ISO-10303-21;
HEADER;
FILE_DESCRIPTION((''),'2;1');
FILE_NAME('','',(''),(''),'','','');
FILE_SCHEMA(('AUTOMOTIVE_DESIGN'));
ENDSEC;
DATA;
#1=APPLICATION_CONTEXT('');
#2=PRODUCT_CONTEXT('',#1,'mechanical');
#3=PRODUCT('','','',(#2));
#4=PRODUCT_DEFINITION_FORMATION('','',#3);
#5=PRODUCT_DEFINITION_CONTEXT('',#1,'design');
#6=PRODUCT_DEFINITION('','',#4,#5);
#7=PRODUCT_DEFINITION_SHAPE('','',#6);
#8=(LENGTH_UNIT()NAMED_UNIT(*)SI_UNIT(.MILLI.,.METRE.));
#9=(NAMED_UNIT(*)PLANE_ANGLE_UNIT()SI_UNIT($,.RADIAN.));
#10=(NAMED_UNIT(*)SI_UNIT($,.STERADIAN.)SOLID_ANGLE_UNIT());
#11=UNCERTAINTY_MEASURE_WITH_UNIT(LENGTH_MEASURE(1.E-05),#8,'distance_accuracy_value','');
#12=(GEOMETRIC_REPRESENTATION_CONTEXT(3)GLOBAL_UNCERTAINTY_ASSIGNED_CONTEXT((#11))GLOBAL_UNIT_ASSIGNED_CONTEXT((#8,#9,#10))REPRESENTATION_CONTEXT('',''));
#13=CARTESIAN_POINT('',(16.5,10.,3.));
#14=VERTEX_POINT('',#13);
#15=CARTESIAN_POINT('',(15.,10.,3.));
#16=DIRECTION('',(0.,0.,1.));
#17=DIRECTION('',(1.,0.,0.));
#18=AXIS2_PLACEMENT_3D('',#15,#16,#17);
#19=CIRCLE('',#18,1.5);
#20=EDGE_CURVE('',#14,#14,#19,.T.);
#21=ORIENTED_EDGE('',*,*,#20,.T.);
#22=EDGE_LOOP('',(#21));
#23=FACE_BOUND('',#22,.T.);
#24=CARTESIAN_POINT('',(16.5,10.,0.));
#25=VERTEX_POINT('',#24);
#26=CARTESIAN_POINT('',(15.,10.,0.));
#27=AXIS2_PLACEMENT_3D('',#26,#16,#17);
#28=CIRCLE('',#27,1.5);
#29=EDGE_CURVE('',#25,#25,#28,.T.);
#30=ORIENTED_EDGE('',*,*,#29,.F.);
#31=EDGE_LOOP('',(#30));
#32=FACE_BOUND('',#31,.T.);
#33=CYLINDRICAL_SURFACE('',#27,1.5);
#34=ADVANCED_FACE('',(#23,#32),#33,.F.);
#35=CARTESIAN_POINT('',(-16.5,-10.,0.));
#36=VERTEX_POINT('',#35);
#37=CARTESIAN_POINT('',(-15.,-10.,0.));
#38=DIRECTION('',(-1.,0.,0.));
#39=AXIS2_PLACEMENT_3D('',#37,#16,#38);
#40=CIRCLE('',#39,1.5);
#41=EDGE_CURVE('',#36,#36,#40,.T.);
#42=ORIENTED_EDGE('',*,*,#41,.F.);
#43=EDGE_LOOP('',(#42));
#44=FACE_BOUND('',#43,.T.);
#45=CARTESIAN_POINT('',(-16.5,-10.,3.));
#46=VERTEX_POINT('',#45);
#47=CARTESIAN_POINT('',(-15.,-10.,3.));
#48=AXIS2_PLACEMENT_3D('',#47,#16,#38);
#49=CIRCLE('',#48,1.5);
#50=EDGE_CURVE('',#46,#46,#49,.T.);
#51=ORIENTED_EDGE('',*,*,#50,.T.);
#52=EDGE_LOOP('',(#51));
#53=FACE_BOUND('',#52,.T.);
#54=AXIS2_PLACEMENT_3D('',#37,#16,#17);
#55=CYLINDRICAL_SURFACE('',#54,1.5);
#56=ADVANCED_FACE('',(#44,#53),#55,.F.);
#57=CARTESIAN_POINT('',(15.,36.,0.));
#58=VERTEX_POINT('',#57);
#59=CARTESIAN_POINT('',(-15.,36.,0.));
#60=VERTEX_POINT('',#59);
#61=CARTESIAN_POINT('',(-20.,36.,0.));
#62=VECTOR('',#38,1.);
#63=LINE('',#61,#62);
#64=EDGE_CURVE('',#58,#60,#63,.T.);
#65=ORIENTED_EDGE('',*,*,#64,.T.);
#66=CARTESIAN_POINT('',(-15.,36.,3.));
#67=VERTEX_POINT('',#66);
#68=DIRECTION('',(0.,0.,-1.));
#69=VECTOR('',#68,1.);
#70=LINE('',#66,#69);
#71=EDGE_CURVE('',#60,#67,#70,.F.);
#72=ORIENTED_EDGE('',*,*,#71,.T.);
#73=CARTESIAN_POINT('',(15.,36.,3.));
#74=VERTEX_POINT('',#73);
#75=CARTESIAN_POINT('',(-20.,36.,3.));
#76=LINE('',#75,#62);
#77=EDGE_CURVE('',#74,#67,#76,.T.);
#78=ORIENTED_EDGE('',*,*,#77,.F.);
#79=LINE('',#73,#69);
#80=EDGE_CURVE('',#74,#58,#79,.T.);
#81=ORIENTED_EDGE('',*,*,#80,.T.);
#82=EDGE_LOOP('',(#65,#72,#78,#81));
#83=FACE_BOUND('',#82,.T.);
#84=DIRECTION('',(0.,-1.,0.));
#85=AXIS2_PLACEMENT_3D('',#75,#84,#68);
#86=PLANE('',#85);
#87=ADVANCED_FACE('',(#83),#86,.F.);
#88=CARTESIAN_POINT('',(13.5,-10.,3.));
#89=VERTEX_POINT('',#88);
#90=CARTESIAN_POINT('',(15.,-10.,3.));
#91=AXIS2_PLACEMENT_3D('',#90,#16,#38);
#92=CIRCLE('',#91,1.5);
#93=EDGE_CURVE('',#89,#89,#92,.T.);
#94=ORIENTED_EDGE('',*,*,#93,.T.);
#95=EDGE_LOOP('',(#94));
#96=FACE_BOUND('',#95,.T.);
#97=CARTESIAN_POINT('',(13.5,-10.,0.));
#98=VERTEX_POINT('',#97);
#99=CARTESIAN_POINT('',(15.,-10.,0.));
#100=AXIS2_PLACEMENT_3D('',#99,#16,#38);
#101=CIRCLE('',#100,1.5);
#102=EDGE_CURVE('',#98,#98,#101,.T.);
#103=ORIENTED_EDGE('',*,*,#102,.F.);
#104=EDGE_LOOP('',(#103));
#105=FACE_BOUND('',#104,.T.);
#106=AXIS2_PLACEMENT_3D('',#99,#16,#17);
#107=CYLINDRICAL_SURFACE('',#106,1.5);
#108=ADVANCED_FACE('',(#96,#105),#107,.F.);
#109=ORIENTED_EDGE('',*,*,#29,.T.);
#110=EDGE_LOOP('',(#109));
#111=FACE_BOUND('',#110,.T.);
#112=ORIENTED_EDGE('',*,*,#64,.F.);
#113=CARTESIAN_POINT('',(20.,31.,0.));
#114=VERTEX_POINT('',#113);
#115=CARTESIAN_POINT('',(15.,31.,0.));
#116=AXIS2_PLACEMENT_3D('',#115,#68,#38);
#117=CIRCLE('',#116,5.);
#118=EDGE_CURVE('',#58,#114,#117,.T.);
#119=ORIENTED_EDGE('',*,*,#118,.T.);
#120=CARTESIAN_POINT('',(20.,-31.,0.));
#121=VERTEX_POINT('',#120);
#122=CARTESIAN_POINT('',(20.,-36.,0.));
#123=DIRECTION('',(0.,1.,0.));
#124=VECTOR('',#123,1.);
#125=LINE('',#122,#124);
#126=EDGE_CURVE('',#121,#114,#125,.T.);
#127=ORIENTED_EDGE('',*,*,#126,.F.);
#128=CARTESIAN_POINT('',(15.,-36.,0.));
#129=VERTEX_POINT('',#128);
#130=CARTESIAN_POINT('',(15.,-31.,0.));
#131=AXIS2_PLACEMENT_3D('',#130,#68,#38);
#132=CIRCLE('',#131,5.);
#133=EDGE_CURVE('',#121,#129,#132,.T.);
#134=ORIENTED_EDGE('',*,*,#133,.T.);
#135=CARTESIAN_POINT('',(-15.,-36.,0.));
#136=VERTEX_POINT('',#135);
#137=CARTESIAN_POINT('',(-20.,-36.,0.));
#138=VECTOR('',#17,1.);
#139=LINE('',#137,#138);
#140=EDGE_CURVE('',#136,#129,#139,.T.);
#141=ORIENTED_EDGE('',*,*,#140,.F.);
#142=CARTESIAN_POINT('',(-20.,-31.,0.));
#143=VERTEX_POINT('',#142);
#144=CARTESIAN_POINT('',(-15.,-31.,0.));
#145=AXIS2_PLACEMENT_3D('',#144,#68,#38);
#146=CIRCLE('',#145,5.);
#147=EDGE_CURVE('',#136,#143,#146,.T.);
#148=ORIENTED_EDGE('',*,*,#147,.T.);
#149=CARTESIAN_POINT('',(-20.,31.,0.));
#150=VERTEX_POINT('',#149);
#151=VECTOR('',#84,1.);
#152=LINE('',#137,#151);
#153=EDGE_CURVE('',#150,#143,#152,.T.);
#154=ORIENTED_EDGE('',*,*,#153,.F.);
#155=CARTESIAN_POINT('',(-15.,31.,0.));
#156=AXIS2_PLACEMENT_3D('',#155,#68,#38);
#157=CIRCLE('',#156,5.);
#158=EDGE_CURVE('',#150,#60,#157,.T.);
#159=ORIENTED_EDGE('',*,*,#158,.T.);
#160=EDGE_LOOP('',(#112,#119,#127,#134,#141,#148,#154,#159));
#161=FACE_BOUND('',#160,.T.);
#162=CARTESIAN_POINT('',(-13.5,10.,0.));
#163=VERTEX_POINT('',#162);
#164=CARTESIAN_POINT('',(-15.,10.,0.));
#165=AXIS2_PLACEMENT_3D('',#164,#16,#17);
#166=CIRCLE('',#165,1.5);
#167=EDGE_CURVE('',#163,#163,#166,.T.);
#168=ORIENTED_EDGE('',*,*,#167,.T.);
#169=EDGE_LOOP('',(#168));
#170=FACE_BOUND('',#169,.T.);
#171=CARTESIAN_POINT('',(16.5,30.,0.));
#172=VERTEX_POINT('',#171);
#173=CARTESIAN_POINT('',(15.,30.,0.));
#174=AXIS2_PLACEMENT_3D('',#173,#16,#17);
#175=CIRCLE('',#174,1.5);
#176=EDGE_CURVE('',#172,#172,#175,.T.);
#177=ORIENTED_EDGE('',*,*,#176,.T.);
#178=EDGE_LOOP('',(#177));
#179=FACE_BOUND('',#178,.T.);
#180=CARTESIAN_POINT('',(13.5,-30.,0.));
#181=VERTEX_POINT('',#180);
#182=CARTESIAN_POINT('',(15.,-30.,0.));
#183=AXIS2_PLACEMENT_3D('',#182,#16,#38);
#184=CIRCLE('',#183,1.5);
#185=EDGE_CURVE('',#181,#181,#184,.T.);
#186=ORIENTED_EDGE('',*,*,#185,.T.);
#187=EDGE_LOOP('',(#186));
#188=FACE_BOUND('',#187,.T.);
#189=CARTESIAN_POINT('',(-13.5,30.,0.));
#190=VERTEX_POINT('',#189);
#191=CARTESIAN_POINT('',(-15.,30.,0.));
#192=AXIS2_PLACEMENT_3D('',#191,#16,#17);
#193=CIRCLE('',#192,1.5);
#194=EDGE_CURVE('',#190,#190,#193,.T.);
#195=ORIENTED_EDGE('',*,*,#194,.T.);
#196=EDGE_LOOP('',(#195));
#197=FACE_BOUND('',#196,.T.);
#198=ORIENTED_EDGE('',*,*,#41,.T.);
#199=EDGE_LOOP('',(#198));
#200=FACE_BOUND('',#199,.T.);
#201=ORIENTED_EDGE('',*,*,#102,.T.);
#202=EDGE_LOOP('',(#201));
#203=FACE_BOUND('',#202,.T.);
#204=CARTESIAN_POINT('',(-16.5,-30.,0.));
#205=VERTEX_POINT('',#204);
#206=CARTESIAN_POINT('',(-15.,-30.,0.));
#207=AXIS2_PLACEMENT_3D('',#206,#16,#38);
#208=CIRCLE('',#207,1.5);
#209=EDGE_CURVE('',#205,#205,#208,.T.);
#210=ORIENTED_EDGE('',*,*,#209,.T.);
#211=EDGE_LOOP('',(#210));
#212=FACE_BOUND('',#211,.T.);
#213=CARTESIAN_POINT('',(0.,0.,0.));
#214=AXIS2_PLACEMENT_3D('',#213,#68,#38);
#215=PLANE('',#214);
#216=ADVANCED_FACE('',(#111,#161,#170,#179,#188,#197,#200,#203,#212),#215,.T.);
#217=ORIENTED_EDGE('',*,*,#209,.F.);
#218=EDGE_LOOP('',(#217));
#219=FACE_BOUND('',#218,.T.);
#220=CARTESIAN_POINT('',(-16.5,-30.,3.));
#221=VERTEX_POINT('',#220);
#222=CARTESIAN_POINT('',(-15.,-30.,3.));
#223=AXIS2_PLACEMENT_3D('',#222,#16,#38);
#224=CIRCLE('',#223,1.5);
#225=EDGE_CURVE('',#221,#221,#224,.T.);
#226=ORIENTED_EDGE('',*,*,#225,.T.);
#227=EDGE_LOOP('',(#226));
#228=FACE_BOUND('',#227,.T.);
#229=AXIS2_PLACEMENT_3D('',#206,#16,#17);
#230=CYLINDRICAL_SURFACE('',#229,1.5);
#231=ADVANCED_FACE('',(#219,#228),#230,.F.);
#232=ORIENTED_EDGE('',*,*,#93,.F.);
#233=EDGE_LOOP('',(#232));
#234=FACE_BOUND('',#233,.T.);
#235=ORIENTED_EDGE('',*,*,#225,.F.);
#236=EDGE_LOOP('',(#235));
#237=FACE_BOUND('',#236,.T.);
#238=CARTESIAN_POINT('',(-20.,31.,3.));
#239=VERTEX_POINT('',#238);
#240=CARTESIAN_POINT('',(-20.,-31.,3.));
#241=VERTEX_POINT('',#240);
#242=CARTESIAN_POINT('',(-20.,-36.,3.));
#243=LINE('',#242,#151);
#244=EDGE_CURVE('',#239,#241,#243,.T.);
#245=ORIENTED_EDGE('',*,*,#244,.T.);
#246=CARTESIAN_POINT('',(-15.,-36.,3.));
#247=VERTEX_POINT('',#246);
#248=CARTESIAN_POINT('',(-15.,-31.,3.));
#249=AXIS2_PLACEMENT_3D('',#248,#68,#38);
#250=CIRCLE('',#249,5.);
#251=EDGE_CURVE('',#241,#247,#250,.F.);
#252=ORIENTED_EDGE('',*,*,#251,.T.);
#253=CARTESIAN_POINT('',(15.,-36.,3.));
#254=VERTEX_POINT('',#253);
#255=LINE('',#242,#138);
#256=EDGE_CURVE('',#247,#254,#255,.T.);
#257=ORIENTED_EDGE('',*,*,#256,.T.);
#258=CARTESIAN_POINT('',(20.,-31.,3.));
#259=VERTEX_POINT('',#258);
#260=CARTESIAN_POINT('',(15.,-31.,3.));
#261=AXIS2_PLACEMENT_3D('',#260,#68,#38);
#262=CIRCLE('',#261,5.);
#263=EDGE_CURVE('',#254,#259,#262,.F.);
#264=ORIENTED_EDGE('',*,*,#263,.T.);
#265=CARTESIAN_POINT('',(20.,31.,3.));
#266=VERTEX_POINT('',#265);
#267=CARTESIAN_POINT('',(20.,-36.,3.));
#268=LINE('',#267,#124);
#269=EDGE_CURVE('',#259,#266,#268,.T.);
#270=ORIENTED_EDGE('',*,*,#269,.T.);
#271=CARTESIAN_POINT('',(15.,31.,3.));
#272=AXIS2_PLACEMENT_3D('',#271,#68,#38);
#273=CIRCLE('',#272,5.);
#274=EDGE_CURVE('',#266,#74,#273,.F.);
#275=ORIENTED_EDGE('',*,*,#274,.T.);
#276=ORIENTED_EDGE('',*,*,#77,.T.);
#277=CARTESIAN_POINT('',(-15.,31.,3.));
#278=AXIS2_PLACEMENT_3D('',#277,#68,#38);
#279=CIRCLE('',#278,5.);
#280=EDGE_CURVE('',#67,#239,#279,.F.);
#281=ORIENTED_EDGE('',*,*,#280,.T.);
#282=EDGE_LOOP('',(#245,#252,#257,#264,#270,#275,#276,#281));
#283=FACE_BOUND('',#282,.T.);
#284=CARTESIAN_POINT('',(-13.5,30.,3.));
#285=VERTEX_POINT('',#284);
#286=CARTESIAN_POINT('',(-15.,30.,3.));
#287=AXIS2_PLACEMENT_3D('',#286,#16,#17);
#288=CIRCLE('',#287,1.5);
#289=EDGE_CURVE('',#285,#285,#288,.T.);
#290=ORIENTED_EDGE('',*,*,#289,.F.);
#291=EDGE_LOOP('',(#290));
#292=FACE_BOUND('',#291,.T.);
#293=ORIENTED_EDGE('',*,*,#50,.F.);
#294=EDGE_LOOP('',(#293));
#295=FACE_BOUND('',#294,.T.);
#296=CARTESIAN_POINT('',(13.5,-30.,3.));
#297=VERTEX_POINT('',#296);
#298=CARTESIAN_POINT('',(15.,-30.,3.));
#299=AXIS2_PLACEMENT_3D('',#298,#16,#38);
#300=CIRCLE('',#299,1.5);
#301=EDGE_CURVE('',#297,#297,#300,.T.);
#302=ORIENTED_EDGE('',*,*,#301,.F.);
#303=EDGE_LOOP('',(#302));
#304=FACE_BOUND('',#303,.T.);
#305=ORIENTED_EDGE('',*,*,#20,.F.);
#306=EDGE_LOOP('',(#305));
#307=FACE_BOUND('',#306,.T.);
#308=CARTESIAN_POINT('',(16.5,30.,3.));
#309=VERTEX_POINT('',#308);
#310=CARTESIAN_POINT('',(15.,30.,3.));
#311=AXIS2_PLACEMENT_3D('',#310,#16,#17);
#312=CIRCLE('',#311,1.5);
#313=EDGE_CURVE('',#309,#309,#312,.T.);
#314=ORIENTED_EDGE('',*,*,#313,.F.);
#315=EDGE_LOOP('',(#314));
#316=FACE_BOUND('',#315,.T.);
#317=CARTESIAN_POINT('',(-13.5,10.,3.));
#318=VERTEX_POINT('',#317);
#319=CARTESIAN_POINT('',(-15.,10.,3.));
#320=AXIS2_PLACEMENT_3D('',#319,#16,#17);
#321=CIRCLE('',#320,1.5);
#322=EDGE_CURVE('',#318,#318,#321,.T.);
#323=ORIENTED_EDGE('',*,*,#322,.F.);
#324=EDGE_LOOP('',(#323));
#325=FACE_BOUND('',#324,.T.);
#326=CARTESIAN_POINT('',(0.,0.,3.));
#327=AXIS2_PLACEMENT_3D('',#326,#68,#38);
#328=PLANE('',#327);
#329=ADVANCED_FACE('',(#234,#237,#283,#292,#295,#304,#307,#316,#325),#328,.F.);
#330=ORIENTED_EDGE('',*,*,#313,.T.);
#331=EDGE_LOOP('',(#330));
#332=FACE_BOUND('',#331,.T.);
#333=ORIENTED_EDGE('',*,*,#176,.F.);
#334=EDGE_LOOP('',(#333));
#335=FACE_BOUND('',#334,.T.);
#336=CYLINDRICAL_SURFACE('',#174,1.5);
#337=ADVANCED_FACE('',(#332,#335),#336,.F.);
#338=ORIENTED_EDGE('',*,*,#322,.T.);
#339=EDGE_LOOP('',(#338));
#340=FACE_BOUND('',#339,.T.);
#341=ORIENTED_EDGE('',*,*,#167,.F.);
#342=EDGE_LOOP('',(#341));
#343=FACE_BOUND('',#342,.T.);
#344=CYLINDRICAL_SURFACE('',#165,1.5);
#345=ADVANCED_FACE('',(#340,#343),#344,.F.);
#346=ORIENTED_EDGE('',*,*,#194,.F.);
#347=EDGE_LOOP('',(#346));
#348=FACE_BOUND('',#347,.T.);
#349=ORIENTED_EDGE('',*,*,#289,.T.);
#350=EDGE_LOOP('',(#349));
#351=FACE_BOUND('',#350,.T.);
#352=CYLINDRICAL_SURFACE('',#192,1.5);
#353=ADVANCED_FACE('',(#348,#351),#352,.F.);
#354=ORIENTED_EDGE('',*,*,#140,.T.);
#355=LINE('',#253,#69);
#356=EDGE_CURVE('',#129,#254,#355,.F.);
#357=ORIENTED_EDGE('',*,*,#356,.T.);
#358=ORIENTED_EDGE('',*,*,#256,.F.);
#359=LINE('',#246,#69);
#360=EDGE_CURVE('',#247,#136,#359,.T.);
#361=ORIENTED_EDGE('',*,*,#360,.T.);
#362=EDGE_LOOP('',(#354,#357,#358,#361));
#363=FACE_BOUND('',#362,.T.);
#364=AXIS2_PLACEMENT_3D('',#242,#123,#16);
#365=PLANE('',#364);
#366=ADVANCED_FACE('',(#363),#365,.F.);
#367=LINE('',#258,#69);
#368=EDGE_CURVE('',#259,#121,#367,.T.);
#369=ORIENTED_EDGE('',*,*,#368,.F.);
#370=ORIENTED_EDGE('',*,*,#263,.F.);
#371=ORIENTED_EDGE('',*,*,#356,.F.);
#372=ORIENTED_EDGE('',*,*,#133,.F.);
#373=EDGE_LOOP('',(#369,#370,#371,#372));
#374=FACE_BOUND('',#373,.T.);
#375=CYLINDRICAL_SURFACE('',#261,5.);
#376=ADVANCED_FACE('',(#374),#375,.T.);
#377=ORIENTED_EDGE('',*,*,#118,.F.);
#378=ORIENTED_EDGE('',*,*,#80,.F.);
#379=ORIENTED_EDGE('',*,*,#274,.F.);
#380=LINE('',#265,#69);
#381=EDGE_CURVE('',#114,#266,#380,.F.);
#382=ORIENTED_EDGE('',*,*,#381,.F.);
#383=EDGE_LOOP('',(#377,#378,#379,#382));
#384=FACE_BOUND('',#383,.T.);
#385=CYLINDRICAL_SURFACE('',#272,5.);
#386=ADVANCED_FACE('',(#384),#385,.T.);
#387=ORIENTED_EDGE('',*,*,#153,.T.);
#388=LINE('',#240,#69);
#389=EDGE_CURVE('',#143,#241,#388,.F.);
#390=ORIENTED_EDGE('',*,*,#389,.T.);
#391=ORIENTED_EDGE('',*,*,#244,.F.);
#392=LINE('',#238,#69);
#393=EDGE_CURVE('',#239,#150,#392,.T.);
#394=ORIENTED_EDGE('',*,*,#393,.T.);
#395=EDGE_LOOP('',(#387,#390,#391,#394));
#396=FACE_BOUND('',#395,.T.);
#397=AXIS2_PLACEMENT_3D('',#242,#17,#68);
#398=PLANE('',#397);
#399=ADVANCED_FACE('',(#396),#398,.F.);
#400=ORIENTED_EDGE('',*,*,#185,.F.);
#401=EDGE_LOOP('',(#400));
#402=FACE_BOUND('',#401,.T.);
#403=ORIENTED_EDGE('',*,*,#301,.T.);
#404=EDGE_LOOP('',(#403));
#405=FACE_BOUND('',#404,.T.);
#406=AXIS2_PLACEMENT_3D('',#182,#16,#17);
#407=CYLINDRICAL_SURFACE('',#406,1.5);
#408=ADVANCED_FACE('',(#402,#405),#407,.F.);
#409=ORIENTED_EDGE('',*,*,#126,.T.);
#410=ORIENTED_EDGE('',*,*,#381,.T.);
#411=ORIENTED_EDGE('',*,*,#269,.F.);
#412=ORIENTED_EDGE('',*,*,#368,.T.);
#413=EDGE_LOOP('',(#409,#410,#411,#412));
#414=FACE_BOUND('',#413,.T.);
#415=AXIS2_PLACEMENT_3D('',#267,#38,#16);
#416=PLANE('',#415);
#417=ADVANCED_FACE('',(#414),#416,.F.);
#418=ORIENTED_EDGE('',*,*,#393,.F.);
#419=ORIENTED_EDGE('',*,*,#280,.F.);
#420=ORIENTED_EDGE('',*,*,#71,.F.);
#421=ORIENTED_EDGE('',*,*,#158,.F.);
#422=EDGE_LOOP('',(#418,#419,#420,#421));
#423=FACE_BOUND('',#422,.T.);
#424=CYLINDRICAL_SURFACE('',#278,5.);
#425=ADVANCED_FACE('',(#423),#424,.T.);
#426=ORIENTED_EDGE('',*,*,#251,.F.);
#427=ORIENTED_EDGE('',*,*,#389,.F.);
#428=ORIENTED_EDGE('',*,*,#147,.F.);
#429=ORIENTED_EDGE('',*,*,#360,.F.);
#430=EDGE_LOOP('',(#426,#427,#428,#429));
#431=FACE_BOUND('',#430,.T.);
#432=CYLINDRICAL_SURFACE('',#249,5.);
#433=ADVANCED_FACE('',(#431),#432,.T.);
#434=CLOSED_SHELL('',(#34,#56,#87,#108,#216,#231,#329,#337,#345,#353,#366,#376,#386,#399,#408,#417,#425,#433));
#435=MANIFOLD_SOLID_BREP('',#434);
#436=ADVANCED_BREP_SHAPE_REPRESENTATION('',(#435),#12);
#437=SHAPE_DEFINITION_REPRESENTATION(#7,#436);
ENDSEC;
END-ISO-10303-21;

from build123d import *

# Parameters (mm, degrees)
SKETCH_1_W          = 40
SKETCH_1_H          = 72
EXTRUDE_1_DEPTH     = 3
SKETCH_2_R          = 1.5
CUT_EXTRUDE_1_DEPTH = 3
FILLET_1_R          = 5


with BuildPart() as part:
    # 草图1 → 凸台-拉伸1 (new body)
    with BuildSketch(Plane.XY):
        Rectangle(SKETCH_1_W, SKETCH_1_H)
    extrude(amount=EXTRUDE_1_DEPTH)

    # 草图2 → 切除-拉伸1 (cut)
    with BuildSketch(Plane.XY.offset(3)):
        with Locations((-15, 30)):
            Circle(SKETCH_2_R)
        with Locations((-15, 10)):
            Circle(SKETCH_2_R)
        with Locations((15, 30)):
            Circle(SKETCH_2_R)
        with Locations((15, 10)):
            Circle(SKETCH_2_R)
        with Locations(Location((-15, -10, 0), (0, 0, 180))):
            Circle(SKETCH_2_R)
        with Locations(Location((15, -10, 0), (0, 0, 180))):
            Circle(SKETCH_2_R)
        with Locations(Location((15, -30, 0), (0, 0, 180))):
            Circle(SKETCH_2_R)
        with Locations(Location((-15, -30, 0), (0, 0, 180))):
            Circle(SKETCH_2_R)
    extrude(amount=-CUT_EXTRUDE_1_DEPTH, mode=Mode.SUBTRACT)

    # 圆角1
    fillet_1_edges = [part.edges().sort_by_distance(p)[0] for p in [
        (20, -36, 1.5),
        (-20, -36, 1.5),
        (-20, 36, 1.5),
        (20, 36, 1.5),
    ]]
    fillet(fillet_1_edges, radius=FILLET_1_R)


solid = part.part
